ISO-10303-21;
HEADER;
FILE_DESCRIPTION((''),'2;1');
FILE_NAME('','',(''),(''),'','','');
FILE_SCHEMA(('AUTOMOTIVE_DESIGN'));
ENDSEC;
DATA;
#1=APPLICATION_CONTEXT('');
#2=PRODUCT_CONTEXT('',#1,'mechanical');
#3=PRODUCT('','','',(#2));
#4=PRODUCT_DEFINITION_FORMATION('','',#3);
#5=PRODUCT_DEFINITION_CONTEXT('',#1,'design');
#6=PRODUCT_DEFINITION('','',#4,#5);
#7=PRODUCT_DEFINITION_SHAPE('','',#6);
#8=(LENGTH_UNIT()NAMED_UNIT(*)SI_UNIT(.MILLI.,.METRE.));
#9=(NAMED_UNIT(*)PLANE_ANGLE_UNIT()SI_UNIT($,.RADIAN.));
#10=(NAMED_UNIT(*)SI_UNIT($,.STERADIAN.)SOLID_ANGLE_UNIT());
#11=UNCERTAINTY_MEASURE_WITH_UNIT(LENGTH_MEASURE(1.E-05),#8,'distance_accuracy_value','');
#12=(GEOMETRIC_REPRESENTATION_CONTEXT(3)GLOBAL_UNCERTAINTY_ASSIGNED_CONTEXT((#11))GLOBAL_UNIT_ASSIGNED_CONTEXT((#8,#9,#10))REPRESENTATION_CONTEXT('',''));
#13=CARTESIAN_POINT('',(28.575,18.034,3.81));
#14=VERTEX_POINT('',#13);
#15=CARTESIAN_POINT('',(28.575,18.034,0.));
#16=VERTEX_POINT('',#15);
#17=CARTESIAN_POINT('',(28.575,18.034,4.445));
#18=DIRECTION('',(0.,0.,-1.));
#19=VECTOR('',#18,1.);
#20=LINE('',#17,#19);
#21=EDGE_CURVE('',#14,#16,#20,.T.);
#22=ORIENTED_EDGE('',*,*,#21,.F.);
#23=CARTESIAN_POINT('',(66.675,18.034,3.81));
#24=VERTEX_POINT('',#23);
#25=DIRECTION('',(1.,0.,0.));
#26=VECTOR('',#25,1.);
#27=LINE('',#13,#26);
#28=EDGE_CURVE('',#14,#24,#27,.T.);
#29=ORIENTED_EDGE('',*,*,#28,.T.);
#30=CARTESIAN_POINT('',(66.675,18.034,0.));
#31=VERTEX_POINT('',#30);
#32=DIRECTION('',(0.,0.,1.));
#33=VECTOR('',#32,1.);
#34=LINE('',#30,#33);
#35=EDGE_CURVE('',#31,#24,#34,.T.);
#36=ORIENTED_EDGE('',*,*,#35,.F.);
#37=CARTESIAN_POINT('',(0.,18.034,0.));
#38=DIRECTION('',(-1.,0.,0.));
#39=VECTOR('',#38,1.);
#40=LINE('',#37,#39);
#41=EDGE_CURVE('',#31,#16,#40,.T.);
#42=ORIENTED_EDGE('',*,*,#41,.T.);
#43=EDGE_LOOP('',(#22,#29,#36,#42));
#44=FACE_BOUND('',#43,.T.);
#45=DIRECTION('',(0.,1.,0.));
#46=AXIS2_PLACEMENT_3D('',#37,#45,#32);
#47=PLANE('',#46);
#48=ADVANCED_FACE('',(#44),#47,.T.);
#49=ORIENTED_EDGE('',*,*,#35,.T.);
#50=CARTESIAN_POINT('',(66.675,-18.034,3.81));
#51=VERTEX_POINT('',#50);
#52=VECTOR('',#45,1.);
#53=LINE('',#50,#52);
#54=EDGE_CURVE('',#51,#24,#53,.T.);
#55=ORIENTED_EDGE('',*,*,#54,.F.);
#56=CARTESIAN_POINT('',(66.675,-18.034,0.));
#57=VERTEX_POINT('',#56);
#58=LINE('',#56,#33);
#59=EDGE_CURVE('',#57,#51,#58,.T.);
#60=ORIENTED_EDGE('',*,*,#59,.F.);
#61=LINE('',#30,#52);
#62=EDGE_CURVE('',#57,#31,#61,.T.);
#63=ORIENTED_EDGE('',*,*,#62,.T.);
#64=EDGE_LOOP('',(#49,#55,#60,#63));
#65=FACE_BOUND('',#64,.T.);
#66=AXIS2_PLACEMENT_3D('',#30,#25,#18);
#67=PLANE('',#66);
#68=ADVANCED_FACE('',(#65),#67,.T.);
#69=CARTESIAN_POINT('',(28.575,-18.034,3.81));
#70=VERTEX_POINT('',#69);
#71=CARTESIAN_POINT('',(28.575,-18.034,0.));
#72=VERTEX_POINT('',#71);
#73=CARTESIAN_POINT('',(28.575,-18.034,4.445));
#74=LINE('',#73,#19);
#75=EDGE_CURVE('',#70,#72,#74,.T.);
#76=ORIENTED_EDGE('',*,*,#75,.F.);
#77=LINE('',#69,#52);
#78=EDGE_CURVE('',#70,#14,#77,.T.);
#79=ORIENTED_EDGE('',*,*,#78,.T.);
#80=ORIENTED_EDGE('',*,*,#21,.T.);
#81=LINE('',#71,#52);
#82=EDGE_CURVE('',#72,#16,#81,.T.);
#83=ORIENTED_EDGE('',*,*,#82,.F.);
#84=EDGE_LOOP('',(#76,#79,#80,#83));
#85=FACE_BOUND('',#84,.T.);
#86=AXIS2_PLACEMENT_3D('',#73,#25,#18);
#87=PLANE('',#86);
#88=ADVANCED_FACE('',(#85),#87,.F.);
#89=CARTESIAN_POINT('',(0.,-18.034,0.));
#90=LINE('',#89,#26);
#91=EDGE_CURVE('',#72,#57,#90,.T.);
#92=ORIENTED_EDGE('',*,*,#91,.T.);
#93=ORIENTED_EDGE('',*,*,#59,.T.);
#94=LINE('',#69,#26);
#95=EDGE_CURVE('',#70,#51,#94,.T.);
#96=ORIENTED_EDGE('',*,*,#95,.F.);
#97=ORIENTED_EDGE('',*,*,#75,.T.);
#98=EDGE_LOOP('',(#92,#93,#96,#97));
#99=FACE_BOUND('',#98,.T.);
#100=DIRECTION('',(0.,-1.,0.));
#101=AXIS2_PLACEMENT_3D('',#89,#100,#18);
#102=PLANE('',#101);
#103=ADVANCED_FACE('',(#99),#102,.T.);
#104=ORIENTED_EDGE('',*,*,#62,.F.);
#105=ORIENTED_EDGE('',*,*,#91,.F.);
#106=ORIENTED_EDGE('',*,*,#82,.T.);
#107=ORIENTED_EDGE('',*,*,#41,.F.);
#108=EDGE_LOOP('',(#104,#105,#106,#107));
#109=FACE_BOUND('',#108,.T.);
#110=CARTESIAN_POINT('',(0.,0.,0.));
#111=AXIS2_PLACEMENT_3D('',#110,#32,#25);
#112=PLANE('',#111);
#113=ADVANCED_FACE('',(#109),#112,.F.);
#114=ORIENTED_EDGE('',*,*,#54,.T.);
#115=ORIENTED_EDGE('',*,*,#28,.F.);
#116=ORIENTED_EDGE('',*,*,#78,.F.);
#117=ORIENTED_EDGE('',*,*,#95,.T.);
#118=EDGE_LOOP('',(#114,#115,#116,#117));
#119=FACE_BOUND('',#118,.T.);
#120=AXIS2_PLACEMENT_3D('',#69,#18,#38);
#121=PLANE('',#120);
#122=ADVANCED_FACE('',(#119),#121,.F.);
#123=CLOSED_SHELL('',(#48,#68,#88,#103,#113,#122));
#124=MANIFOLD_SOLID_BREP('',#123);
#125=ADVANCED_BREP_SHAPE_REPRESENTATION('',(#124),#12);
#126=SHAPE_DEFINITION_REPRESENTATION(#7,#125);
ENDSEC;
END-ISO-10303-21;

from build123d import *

# Parameters (mm, degrees)
SKETCH1_R                = 19.939
CIRCLE_EXTRUDE_DEPTH     = 12.7
SKETCH3_W                = 12.7
SKETCH3_H                = 39.878
RECTANGLE_EXTRUDE_DEPTH  = 68.58
SKETCH2_R                = 18.034
CRICLE_CUT_DEPTH         = 73.54012766
SKETCH4_OUTSIDE_W        = 110.101
SKETCH4_OUTSIDE_H        = 61.46
SKETCH4_OUTSIDE_W_2      = 66.675
SKETCH4_OUTSIDE_H_2      = 36.068
FRAME_CUT_DEPTH          = 73.54012766
SKETCH13_W               = 5.08
SKETCH13_H               = 36.068
BACK_CUT_DEPTH           = 38.1
SKETCH14_R               = 1.905
FOR_SPRING_EXTRUDE_DEPTH = 2.54
CUT_EXTRUDE1_DEPTH       = 77.861864725


with BuildPart() as part:
    # Sketch1 → circle extrude (new body)
    with BuildSketch(Plane.XY):
        Circle(SKETCH1_R)
    extrude(amount=CIRCLE_EXTRUDE_DEPTH)

    # Sketch3 → rectangle extrude (add)
    with BuildSketch(Plane(origin=(0, 0, 0), x_dir=(0, 0, -1), z_dir=(1, 0, 0))):
        with Locations((-6.35, 0)):
            Rectangle(SKETCH3_W, SKETCH3_H)
    extrude(amount=RECTANGLE_EXTRUDE_DEPTH)

    # Sketch2 → cricle cut (cut, through all)
    with BuildSketch(Plane.XY.offset(12.7)):
        Circle(SKETCH2_R)
    extrude(amount=-CRICLE_CUT_DEPTH, mode=Mode.SUBTRACT)

    # Sketch4 outside → frame cut (cut, through all)
    with BuildSketch(Plane.XY.offset(12.7)):
        with Locations((24.3205, 0)):
            Rectangle(SKETCH4_OUTSIDE_W, SKETCH4_OUTSIDE_H)
        with Locations((33.3375, 0)):
            Rectangle(SKETCH4_OUTSIDE_W_2, SKETCH4_OUTSIDE_H_2, mode=Mode.SUBTRACT)
    extrude(amount=-FRAME_CUT_DEPTH, mode=Mode.SUBTRACT)

    # Sketch13 → back cut (cut)
    with BuildSketch(Plane(origin=(66.675, 0, 0), x_dir=(0, 0, -1), z_dir=(1, 0, 0))):
        with Locations((-6.35, 0)):
            Rectangle(SKETCH13_W, SKETCH13_H)
    extrude(amount=-BACK_CUT_DEPTH, mode=Mode.SUBTRACT)

    # Sketch14 → for spring extrude (add)
    with BuildSketch(Plane(origin=(28.575, 0, 0), x_dir=(0, 0, -1), z_dir=(1, 0, 0))):
        with Locations((-6.35, 0)):
            Circle(SKETCH14_R)
    extrude(amount=FOR_SPRING_EXTRUDE_DEPTH)

    # Sketch15 → Cut-Extrude1 (cut, through all)
    with BuildSketch(Plane(origin=(0, 18.034, 0), x_dir=(1, 0, 0), z_dir=(0, 1, 0))):
        Polygon((28.575, 0), (0, 0), (0, -12.7), (28.575, -12.7), (68.688895239, -12.7), (68.688895239, -4.445), (28.575, -4.445), align=None)
    extrude(amount=-CUT_EXTRUDE1_DEPTH, mode=Mode.SUBTRACT)


solid = part.part
